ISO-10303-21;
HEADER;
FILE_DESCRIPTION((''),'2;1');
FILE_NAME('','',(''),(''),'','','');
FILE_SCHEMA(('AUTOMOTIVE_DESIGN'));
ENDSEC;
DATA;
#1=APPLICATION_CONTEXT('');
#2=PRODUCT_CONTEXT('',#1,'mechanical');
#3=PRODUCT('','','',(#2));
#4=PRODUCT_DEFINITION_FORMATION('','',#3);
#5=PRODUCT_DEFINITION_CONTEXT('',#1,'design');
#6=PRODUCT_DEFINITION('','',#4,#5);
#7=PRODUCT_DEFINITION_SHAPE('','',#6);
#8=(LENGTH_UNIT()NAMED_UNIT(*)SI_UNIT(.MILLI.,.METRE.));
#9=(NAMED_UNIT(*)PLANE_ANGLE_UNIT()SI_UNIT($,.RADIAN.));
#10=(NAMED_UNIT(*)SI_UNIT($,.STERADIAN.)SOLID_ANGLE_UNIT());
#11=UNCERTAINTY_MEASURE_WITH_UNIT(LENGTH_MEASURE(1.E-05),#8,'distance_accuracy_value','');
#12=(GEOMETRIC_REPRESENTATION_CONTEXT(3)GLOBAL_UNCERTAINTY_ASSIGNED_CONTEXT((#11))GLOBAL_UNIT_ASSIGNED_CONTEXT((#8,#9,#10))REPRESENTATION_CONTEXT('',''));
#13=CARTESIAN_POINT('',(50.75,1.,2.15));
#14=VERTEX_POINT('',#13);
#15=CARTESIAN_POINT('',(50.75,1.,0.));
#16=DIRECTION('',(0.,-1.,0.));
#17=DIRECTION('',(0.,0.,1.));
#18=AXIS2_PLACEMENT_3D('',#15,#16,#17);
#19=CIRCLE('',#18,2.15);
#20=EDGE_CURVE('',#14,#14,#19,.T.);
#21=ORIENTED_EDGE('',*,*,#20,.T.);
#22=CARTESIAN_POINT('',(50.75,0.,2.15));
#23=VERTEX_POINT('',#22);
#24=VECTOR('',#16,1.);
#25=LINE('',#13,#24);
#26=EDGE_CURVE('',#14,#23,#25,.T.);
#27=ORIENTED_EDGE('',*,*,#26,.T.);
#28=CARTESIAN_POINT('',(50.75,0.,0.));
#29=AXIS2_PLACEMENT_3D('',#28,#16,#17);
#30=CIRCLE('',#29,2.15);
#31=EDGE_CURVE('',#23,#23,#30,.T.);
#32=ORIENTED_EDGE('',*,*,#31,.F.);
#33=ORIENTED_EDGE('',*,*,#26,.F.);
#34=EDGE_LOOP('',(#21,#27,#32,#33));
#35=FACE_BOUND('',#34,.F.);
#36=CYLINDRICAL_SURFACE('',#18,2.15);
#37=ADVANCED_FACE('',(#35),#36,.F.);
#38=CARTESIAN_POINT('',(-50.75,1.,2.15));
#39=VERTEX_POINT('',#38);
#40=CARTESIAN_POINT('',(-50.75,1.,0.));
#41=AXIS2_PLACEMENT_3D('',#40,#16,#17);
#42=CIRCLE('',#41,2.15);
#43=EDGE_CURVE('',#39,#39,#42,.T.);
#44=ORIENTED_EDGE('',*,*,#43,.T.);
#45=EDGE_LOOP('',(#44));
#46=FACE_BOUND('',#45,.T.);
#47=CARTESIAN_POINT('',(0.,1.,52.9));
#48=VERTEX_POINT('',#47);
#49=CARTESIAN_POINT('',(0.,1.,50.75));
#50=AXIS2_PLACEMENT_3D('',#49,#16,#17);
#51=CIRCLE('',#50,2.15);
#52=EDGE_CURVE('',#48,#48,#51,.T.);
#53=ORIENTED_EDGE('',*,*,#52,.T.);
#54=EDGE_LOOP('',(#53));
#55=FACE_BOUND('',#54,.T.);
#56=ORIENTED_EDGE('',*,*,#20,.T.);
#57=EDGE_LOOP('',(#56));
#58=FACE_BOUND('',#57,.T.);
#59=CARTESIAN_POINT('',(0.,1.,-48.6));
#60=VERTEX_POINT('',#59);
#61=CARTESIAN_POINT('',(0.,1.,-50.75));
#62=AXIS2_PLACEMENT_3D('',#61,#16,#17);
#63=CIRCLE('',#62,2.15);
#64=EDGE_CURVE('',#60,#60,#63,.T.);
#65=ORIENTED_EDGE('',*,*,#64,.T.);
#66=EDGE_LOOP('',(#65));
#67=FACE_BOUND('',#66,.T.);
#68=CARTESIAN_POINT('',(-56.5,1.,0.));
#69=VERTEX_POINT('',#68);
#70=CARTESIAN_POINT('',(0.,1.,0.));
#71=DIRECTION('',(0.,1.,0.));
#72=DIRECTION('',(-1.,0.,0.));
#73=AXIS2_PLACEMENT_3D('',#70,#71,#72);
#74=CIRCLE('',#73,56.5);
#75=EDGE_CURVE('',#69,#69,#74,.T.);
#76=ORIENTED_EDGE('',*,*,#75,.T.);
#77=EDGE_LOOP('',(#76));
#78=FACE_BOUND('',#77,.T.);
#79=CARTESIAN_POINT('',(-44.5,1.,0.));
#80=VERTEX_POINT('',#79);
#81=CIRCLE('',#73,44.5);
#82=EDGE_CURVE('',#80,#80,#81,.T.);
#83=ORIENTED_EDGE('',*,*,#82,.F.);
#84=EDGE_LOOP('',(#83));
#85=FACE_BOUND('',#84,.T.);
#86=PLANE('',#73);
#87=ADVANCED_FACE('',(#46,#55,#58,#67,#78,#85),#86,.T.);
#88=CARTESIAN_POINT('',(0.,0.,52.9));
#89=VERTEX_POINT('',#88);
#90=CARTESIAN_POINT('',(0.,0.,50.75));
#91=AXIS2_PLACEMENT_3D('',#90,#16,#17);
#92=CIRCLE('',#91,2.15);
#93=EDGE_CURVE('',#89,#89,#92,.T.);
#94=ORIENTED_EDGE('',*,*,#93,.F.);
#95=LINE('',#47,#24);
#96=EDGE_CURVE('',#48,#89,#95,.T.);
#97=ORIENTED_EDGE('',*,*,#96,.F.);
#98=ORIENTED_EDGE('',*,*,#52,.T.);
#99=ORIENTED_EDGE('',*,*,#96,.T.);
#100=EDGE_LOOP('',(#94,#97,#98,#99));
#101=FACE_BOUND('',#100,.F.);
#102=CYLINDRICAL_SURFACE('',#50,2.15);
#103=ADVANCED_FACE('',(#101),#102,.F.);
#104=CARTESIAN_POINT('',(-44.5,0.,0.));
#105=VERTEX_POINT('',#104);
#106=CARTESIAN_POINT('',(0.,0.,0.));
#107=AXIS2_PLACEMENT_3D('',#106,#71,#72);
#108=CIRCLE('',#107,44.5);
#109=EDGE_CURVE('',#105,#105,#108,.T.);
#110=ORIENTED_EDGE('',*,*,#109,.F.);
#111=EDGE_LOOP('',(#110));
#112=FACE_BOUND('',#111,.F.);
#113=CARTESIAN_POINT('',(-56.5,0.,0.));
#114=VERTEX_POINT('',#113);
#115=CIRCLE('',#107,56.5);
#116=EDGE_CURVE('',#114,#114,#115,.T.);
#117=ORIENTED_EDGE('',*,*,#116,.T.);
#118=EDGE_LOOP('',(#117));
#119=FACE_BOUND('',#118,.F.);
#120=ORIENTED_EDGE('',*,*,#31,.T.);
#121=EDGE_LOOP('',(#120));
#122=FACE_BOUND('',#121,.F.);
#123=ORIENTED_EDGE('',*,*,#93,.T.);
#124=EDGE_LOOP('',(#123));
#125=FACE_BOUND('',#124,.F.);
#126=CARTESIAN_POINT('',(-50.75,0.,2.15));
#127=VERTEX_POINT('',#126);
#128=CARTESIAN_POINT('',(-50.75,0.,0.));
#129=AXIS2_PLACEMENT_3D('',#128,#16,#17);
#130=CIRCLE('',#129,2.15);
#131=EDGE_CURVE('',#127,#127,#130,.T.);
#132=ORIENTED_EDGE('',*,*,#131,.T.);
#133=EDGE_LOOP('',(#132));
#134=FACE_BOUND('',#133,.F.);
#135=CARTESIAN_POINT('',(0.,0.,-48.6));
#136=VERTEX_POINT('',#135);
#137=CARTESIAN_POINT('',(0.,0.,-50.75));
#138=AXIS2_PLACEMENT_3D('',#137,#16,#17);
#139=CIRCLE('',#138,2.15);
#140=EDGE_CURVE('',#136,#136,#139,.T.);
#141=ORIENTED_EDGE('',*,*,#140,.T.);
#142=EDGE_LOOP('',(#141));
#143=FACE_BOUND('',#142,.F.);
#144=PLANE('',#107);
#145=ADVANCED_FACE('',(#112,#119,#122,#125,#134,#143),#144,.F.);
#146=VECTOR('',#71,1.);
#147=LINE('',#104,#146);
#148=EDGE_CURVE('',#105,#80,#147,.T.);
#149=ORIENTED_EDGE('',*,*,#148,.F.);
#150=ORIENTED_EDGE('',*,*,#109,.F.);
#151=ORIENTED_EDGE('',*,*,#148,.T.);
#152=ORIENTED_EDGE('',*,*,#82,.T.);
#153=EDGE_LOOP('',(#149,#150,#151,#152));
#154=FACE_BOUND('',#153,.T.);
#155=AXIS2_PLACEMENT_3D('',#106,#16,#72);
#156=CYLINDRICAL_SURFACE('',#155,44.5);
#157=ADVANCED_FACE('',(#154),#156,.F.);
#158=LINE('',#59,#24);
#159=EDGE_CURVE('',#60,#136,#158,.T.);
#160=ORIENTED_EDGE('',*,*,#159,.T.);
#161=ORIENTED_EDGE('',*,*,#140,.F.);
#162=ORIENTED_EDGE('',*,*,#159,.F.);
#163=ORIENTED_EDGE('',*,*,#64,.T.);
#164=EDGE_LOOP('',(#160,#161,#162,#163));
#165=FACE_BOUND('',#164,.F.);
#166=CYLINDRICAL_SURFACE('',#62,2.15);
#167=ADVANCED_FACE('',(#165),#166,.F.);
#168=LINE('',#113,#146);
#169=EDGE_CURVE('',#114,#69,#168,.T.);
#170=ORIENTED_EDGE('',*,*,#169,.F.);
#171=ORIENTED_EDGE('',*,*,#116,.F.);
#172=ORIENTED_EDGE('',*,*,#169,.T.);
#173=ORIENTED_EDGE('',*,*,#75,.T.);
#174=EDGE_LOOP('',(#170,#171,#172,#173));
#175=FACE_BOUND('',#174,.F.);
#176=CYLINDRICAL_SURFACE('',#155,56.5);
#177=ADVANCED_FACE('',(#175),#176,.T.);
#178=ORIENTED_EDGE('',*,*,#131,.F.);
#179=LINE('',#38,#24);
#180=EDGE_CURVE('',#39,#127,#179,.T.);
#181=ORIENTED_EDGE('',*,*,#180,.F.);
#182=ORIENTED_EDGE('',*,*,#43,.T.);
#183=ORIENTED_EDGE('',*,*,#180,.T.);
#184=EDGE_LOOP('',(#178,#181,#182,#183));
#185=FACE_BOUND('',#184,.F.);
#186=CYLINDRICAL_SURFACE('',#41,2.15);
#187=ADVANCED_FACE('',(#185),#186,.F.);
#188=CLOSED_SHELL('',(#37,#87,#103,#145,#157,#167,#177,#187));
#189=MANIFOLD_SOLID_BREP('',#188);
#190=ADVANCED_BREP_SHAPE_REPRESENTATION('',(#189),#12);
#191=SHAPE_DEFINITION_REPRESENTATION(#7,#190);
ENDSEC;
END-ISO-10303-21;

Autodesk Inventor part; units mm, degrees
ref_plane "YZ Plane" through (0, 0, 0) normal (1, 0, 0) x (0, 1, 0)
ref_plane "XZ Plane" through (0, 0, 0) normal (0, 1, 0) x (-1, 0, 0)
ref_plane "XY Plane" through (0, 0, 0) normal (0, 0, 1) x (1, 0, 0)
sketch "スケッチ1" plane through (0, 0, 0) normal (0, 1, 0) x (-1, 0, 0)
  circle A0 centre (0, 0) radius 56.5
  circle A1 centre (0, 0) radius 44.5
  dimension "d0" = 113
  dimension "d1" = 89
extrude "押し出し1" add sketch "スケッチ1" along normal blind 1
sketch "スケッチ2" plane through (0, 1, 0) normal (0, 1, 0) x (1, 0, 0)
  circle A0 centre (0, 0) radius 50.75
  point P0 (-50.75, 0)
  point P1 (0, -50.75)
  point P2 (50.75, 0)
  point P3 (0, 50.75)
  dimension "d4" = 101.5
  dimension "d7" = 360
hole "穴1" at (-50.75, 1, 0) at (0, 1, 50.75) at (50.75, 1, 0) at (0, 1, -50.75) direction (0, -1, 0) diameter 4.3 end through all
properties part number "basespacer1"
